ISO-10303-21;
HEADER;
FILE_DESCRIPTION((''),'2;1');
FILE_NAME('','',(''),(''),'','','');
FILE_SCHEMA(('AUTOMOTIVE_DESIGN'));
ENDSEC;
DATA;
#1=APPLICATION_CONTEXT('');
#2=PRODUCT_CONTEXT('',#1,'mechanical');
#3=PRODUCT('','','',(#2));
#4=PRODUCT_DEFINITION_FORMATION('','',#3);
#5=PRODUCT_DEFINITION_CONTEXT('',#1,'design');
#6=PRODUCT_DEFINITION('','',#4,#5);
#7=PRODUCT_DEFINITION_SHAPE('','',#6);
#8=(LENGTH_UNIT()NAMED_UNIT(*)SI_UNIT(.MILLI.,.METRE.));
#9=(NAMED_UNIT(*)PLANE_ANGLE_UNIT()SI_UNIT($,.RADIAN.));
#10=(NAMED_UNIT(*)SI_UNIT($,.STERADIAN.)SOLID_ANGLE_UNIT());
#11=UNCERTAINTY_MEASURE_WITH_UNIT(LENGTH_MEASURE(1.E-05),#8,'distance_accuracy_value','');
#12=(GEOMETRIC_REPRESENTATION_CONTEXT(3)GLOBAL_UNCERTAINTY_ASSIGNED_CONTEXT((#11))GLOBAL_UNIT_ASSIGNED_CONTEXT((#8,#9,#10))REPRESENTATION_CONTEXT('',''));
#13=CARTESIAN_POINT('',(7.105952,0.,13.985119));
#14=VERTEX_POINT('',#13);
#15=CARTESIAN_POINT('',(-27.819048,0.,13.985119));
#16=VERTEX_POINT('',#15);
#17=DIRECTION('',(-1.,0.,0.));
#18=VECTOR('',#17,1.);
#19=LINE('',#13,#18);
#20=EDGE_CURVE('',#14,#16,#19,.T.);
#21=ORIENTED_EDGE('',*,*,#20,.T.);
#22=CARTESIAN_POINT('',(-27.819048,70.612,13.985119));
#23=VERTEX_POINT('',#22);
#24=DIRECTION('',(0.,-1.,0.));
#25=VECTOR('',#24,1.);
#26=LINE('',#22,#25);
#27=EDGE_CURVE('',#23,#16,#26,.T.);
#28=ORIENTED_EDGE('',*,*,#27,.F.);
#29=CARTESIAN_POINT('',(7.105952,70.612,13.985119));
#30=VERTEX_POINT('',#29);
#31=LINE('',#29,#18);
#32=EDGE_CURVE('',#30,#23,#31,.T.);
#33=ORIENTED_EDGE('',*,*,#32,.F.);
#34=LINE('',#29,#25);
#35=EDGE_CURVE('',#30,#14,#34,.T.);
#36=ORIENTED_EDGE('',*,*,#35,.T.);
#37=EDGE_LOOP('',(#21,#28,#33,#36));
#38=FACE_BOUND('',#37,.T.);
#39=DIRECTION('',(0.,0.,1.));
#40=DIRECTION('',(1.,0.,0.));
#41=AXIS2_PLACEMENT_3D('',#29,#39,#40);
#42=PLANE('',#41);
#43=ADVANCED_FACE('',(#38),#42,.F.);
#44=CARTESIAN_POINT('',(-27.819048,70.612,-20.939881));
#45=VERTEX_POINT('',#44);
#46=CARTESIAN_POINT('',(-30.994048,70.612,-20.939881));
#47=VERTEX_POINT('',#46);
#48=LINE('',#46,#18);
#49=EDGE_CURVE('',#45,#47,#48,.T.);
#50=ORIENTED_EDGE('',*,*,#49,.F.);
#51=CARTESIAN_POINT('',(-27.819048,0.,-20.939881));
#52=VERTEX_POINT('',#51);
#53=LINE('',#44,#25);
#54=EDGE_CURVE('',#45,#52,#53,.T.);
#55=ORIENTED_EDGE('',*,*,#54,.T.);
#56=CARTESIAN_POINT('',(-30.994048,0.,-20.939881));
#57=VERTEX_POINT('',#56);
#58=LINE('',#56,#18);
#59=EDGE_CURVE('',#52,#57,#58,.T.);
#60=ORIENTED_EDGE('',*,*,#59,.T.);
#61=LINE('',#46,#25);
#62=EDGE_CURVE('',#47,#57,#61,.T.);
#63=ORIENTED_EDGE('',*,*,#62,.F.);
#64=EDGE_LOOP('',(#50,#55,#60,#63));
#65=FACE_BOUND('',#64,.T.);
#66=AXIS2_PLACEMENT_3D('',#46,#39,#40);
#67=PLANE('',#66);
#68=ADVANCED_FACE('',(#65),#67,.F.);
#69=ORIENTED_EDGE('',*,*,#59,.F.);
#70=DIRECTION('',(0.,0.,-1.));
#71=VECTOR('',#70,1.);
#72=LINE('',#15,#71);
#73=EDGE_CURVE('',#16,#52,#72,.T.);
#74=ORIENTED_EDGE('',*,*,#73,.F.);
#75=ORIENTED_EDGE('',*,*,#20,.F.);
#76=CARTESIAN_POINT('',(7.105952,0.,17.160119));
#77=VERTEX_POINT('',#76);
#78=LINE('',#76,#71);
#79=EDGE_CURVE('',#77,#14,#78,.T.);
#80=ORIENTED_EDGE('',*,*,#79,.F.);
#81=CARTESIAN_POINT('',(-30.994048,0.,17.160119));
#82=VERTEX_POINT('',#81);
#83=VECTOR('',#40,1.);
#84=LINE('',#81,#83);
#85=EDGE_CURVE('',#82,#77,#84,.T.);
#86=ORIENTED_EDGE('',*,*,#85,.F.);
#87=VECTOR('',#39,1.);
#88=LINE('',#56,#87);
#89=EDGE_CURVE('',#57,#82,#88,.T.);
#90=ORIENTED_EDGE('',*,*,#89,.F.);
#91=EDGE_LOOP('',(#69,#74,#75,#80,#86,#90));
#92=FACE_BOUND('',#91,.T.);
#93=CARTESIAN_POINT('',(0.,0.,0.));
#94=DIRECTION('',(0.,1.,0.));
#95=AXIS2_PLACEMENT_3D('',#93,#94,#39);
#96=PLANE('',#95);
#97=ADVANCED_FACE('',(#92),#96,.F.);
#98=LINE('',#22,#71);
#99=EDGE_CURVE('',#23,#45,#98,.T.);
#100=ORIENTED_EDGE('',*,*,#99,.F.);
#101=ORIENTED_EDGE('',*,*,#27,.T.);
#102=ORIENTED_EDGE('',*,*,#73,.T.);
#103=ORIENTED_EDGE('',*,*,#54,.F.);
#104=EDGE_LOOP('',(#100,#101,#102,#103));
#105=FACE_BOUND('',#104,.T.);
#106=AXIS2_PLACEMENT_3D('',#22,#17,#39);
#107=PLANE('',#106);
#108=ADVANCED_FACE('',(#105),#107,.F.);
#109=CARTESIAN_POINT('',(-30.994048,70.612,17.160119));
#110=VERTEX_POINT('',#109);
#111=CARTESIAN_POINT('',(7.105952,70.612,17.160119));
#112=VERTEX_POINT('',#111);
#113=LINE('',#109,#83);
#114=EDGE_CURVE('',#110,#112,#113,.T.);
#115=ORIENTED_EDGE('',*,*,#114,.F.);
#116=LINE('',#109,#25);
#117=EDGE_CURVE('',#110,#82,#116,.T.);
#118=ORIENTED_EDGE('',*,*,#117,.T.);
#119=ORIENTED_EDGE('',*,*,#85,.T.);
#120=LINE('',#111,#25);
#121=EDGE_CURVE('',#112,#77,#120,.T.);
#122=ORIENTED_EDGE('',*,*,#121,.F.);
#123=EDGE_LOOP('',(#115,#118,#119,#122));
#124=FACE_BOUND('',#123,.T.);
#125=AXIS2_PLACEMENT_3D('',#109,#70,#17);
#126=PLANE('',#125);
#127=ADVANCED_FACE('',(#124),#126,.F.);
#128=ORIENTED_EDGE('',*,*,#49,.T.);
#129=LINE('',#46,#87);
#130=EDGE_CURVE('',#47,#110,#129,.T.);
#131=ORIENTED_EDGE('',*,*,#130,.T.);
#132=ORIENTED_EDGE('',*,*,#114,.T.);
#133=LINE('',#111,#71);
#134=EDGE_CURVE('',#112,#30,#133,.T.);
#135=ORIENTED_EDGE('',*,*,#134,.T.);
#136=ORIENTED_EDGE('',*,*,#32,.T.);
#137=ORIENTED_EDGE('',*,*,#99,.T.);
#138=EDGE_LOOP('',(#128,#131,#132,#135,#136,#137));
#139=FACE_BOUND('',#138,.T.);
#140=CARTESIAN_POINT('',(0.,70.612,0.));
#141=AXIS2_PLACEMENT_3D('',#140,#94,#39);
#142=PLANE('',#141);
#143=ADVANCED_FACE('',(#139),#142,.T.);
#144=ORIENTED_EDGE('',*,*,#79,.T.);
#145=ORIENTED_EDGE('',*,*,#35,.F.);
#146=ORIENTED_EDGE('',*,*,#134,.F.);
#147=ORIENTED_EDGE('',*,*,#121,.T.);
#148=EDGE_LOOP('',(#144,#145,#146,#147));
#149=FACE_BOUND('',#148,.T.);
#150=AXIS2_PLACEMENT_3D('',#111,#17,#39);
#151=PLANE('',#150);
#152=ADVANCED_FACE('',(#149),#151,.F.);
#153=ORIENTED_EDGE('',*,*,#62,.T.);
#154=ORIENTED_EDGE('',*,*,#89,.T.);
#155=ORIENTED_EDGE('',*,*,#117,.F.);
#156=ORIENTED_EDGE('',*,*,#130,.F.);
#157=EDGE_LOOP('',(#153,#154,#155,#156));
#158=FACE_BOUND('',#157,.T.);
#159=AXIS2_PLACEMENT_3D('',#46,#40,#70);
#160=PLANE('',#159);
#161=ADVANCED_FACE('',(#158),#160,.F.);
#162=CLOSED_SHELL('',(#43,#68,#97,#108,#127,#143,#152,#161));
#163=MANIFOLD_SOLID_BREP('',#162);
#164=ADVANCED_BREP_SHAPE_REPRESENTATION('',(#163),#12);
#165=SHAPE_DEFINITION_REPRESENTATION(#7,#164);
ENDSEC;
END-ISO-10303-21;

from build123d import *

# Parameters (mm, degrees)
BOSS_EXTRUDE1_DEPTH = 70.612


with BuildPart() as part:
    # Sketch1 → Boss-Extrude1 (new body)
    with BuildSketch(Plane(origin=(0, 0, 0), x_dir=(1, 0, 0), z_dir=(0, 1, 0))):
        Polygon((-30.994047619, 20.939880952), (-30.994047619, -17.160119048), (7.105952381, -17.160119048), (7.105952381, -13.985119048), (-27.819047619, -13.985119048), (-27.819047619, 20.939880952), align=None)
    extrude(amount=BOSS_EXTRUDE1_DEPTH)


solid = part.part
